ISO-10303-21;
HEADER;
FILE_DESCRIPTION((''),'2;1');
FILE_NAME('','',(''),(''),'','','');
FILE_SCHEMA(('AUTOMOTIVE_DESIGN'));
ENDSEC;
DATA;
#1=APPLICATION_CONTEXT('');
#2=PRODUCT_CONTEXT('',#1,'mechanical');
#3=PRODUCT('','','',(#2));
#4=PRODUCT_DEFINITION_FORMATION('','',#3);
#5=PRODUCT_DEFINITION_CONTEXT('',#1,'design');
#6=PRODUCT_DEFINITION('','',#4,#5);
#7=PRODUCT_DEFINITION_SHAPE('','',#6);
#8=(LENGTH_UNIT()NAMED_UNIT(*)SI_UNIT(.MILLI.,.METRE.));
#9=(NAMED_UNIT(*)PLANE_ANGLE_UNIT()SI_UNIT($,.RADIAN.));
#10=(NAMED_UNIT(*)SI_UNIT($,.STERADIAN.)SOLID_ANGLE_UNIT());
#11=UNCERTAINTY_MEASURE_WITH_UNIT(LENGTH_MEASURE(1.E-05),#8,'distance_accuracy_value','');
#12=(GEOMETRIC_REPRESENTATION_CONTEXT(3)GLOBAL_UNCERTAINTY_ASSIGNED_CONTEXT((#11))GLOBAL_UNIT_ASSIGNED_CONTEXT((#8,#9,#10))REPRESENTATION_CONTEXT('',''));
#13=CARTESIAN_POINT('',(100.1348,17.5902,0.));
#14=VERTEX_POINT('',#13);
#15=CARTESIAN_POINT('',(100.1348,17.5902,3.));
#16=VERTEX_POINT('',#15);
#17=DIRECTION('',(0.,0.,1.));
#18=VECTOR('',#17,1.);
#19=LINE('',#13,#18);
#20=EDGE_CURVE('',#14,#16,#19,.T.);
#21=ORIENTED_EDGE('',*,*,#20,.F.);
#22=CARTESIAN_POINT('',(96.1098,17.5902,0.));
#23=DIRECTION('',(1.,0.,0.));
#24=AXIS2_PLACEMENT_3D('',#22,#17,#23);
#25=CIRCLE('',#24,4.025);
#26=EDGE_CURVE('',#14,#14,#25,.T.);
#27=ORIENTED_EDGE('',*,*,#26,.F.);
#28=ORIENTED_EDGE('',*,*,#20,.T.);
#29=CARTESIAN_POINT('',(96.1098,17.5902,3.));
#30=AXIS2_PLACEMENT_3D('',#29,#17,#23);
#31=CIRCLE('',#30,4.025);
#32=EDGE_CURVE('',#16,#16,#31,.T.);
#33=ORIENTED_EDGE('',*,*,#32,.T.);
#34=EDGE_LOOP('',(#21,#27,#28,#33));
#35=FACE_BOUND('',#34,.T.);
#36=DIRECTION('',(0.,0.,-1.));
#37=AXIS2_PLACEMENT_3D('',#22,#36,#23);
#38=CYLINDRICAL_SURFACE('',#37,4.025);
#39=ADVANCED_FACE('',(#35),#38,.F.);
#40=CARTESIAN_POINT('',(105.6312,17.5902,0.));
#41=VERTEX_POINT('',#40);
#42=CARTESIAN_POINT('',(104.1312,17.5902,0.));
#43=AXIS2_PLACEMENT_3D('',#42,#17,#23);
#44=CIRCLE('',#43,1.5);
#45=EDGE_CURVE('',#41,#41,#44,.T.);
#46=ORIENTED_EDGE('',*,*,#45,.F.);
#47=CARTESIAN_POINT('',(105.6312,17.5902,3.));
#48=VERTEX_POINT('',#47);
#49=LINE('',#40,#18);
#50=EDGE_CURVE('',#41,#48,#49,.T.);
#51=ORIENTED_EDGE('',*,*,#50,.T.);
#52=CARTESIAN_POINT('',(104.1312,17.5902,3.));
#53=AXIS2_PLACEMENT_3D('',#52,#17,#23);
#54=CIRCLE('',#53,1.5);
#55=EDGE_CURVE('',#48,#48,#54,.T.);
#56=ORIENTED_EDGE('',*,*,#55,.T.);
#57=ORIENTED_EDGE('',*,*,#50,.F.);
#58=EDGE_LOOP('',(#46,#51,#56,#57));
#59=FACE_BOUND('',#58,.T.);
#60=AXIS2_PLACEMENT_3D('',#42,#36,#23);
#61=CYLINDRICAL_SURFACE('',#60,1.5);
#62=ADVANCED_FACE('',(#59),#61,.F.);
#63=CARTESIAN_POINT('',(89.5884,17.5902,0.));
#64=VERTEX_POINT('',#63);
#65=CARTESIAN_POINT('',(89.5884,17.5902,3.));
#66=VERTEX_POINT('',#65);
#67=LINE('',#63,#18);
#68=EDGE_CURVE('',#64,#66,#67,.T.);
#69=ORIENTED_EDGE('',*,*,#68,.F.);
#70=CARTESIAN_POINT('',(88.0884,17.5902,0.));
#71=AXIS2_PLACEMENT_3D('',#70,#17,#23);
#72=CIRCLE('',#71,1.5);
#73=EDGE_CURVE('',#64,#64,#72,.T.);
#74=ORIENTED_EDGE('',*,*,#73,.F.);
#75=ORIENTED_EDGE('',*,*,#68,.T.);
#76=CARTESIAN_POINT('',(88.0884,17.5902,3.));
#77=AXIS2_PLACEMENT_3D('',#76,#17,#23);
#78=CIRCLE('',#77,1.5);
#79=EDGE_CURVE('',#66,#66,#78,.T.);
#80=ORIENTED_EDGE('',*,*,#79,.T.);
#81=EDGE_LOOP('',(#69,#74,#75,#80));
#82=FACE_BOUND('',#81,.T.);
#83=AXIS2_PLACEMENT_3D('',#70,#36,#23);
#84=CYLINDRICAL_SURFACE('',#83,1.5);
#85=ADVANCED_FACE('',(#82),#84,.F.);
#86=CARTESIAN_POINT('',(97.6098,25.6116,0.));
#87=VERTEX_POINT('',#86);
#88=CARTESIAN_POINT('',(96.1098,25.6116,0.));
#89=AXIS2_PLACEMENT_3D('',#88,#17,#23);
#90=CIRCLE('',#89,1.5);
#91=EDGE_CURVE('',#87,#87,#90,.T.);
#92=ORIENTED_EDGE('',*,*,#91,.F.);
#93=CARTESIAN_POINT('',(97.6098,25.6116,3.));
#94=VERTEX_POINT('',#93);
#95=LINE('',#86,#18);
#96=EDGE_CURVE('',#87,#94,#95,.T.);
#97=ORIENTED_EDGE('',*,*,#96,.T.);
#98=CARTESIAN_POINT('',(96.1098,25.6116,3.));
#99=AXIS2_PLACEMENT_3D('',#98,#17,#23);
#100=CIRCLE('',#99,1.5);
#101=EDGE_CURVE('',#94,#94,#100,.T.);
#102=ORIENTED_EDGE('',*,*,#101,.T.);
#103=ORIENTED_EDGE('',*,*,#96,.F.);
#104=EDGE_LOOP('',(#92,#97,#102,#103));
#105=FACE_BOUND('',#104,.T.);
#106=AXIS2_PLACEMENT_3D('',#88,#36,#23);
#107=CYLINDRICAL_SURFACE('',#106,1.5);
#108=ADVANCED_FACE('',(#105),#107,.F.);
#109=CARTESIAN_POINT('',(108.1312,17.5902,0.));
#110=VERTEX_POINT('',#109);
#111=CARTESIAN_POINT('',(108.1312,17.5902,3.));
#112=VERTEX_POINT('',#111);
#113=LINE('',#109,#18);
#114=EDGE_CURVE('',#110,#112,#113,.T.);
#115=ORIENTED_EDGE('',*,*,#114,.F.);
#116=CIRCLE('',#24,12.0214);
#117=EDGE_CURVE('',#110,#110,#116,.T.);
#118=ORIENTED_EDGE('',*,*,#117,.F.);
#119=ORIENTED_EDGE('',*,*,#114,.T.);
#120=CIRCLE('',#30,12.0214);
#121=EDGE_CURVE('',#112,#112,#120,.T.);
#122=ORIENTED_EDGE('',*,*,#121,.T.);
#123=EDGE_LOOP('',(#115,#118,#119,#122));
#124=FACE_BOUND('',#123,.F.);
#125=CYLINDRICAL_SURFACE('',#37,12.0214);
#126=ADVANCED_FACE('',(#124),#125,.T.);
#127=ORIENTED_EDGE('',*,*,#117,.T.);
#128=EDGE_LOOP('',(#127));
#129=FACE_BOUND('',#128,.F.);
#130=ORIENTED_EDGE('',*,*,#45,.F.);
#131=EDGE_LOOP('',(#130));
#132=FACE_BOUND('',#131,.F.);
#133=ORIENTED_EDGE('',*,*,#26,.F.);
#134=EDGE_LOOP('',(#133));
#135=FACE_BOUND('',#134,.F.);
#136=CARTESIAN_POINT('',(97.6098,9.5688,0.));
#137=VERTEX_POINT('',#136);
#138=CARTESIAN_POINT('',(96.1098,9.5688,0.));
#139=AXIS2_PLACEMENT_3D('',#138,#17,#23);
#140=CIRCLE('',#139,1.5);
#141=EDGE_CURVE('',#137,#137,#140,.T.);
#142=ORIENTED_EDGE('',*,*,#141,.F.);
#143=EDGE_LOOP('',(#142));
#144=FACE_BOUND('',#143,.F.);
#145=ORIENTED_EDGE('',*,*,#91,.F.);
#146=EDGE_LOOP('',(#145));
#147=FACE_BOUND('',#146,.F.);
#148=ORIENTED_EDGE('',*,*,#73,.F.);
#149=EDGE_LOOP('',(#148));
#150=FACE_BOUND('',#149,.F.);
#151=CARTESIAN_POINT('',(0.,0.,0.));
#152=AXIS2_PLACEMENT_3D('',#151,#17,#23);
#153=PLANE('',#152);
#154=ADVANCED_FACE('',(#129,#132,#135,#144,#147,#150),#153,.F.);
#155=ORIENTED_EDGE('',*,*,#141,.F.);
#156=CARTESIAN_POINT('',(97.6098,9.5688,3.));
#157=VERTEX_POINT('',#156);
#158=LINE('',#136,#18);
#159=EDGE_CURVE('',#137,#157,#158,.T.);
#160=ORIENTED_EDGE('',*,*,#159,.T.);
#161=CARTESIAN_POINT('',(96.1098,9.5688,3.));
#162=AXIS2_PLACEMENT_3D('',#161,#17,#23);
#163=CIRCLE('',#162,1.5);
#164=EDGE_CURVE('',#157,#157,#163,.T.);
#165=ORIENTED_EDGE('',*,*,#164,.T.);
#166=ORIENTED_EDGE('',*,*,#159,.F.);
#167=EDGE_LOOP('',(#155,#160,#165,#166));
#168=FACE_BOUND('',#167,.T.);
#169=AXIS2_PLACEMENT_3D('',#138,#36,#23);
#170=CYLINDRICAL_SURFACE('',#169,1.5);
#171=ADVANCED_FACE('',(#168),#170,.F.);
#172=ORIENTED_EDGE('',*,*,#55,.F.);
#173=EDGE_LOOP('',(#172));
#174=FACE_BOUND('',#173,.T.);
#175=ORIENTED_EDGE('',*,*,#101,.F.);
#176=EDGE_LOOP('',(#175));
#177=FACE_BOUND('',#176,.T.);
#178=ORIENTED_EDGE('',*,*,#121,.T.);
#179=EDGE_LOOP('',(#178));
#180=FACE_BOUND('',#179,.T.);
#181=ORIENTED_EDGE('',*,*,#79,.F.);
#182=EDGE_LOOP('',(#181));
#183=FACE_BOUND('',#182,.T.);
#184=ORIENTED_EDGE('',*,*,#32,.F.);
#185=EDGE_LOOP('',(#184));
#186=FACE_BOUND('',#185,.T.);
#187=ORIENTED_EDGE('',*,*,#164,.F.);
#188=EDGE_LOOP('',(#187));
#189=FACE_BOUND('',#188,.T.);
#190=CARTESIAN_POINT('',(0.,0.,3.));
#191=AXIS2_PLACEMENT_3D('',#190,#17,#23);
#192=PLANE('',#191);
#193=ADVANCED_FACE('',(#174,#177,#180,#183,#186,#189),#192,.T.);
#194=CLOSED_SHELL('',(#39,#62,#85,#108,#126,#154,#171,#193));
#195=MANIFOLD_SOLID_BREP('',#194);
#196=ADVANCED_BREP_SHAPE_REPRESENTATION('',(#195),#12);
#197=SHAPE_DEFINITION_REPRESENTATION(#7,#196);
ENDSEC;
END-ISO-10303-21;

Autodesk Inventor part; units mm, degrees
ref_plane "YZ Plane" through (0, 0, 0) normal (1, 0, 0) x (0, 1, 0)
ref_plane "XZ Plane" through (0, 0, 0) normal (0, 1, 0) x (-1, 0, 0)
ref_plane "XY Plane" through (0, 0, 0) normal (0, 0, 1) x (1, 0, 0)
sketch "スケッチ1" plane through (0, 0, 0) normal (0, 0, 1) x (1, 0, 0)
  circle A0 centre (96.1098, 17.5902) radius 12.0214
  circle A1 centre (96.1098, 25.6116) radius 1.5
  circle A2 centre (88.0884, 17.5902) radius 1.5
  circle A3 centre (104.1312, 17.5902) radius 1.5
  circle A4 centre (96.1098, 9.5688) radius 1.5
  circle A5 centre (96.1098, 17.5902) radius 4.025
  point P0 (0, 0)
  point P1 (0, 0)
  dimension "d2" = 8.05
extrude "押し出し1" add sketch "スケッチ1" along normal blind 3
properties part number "アームモータマウント軸受けパーツ" material "アルミニウム 2014-T4"
